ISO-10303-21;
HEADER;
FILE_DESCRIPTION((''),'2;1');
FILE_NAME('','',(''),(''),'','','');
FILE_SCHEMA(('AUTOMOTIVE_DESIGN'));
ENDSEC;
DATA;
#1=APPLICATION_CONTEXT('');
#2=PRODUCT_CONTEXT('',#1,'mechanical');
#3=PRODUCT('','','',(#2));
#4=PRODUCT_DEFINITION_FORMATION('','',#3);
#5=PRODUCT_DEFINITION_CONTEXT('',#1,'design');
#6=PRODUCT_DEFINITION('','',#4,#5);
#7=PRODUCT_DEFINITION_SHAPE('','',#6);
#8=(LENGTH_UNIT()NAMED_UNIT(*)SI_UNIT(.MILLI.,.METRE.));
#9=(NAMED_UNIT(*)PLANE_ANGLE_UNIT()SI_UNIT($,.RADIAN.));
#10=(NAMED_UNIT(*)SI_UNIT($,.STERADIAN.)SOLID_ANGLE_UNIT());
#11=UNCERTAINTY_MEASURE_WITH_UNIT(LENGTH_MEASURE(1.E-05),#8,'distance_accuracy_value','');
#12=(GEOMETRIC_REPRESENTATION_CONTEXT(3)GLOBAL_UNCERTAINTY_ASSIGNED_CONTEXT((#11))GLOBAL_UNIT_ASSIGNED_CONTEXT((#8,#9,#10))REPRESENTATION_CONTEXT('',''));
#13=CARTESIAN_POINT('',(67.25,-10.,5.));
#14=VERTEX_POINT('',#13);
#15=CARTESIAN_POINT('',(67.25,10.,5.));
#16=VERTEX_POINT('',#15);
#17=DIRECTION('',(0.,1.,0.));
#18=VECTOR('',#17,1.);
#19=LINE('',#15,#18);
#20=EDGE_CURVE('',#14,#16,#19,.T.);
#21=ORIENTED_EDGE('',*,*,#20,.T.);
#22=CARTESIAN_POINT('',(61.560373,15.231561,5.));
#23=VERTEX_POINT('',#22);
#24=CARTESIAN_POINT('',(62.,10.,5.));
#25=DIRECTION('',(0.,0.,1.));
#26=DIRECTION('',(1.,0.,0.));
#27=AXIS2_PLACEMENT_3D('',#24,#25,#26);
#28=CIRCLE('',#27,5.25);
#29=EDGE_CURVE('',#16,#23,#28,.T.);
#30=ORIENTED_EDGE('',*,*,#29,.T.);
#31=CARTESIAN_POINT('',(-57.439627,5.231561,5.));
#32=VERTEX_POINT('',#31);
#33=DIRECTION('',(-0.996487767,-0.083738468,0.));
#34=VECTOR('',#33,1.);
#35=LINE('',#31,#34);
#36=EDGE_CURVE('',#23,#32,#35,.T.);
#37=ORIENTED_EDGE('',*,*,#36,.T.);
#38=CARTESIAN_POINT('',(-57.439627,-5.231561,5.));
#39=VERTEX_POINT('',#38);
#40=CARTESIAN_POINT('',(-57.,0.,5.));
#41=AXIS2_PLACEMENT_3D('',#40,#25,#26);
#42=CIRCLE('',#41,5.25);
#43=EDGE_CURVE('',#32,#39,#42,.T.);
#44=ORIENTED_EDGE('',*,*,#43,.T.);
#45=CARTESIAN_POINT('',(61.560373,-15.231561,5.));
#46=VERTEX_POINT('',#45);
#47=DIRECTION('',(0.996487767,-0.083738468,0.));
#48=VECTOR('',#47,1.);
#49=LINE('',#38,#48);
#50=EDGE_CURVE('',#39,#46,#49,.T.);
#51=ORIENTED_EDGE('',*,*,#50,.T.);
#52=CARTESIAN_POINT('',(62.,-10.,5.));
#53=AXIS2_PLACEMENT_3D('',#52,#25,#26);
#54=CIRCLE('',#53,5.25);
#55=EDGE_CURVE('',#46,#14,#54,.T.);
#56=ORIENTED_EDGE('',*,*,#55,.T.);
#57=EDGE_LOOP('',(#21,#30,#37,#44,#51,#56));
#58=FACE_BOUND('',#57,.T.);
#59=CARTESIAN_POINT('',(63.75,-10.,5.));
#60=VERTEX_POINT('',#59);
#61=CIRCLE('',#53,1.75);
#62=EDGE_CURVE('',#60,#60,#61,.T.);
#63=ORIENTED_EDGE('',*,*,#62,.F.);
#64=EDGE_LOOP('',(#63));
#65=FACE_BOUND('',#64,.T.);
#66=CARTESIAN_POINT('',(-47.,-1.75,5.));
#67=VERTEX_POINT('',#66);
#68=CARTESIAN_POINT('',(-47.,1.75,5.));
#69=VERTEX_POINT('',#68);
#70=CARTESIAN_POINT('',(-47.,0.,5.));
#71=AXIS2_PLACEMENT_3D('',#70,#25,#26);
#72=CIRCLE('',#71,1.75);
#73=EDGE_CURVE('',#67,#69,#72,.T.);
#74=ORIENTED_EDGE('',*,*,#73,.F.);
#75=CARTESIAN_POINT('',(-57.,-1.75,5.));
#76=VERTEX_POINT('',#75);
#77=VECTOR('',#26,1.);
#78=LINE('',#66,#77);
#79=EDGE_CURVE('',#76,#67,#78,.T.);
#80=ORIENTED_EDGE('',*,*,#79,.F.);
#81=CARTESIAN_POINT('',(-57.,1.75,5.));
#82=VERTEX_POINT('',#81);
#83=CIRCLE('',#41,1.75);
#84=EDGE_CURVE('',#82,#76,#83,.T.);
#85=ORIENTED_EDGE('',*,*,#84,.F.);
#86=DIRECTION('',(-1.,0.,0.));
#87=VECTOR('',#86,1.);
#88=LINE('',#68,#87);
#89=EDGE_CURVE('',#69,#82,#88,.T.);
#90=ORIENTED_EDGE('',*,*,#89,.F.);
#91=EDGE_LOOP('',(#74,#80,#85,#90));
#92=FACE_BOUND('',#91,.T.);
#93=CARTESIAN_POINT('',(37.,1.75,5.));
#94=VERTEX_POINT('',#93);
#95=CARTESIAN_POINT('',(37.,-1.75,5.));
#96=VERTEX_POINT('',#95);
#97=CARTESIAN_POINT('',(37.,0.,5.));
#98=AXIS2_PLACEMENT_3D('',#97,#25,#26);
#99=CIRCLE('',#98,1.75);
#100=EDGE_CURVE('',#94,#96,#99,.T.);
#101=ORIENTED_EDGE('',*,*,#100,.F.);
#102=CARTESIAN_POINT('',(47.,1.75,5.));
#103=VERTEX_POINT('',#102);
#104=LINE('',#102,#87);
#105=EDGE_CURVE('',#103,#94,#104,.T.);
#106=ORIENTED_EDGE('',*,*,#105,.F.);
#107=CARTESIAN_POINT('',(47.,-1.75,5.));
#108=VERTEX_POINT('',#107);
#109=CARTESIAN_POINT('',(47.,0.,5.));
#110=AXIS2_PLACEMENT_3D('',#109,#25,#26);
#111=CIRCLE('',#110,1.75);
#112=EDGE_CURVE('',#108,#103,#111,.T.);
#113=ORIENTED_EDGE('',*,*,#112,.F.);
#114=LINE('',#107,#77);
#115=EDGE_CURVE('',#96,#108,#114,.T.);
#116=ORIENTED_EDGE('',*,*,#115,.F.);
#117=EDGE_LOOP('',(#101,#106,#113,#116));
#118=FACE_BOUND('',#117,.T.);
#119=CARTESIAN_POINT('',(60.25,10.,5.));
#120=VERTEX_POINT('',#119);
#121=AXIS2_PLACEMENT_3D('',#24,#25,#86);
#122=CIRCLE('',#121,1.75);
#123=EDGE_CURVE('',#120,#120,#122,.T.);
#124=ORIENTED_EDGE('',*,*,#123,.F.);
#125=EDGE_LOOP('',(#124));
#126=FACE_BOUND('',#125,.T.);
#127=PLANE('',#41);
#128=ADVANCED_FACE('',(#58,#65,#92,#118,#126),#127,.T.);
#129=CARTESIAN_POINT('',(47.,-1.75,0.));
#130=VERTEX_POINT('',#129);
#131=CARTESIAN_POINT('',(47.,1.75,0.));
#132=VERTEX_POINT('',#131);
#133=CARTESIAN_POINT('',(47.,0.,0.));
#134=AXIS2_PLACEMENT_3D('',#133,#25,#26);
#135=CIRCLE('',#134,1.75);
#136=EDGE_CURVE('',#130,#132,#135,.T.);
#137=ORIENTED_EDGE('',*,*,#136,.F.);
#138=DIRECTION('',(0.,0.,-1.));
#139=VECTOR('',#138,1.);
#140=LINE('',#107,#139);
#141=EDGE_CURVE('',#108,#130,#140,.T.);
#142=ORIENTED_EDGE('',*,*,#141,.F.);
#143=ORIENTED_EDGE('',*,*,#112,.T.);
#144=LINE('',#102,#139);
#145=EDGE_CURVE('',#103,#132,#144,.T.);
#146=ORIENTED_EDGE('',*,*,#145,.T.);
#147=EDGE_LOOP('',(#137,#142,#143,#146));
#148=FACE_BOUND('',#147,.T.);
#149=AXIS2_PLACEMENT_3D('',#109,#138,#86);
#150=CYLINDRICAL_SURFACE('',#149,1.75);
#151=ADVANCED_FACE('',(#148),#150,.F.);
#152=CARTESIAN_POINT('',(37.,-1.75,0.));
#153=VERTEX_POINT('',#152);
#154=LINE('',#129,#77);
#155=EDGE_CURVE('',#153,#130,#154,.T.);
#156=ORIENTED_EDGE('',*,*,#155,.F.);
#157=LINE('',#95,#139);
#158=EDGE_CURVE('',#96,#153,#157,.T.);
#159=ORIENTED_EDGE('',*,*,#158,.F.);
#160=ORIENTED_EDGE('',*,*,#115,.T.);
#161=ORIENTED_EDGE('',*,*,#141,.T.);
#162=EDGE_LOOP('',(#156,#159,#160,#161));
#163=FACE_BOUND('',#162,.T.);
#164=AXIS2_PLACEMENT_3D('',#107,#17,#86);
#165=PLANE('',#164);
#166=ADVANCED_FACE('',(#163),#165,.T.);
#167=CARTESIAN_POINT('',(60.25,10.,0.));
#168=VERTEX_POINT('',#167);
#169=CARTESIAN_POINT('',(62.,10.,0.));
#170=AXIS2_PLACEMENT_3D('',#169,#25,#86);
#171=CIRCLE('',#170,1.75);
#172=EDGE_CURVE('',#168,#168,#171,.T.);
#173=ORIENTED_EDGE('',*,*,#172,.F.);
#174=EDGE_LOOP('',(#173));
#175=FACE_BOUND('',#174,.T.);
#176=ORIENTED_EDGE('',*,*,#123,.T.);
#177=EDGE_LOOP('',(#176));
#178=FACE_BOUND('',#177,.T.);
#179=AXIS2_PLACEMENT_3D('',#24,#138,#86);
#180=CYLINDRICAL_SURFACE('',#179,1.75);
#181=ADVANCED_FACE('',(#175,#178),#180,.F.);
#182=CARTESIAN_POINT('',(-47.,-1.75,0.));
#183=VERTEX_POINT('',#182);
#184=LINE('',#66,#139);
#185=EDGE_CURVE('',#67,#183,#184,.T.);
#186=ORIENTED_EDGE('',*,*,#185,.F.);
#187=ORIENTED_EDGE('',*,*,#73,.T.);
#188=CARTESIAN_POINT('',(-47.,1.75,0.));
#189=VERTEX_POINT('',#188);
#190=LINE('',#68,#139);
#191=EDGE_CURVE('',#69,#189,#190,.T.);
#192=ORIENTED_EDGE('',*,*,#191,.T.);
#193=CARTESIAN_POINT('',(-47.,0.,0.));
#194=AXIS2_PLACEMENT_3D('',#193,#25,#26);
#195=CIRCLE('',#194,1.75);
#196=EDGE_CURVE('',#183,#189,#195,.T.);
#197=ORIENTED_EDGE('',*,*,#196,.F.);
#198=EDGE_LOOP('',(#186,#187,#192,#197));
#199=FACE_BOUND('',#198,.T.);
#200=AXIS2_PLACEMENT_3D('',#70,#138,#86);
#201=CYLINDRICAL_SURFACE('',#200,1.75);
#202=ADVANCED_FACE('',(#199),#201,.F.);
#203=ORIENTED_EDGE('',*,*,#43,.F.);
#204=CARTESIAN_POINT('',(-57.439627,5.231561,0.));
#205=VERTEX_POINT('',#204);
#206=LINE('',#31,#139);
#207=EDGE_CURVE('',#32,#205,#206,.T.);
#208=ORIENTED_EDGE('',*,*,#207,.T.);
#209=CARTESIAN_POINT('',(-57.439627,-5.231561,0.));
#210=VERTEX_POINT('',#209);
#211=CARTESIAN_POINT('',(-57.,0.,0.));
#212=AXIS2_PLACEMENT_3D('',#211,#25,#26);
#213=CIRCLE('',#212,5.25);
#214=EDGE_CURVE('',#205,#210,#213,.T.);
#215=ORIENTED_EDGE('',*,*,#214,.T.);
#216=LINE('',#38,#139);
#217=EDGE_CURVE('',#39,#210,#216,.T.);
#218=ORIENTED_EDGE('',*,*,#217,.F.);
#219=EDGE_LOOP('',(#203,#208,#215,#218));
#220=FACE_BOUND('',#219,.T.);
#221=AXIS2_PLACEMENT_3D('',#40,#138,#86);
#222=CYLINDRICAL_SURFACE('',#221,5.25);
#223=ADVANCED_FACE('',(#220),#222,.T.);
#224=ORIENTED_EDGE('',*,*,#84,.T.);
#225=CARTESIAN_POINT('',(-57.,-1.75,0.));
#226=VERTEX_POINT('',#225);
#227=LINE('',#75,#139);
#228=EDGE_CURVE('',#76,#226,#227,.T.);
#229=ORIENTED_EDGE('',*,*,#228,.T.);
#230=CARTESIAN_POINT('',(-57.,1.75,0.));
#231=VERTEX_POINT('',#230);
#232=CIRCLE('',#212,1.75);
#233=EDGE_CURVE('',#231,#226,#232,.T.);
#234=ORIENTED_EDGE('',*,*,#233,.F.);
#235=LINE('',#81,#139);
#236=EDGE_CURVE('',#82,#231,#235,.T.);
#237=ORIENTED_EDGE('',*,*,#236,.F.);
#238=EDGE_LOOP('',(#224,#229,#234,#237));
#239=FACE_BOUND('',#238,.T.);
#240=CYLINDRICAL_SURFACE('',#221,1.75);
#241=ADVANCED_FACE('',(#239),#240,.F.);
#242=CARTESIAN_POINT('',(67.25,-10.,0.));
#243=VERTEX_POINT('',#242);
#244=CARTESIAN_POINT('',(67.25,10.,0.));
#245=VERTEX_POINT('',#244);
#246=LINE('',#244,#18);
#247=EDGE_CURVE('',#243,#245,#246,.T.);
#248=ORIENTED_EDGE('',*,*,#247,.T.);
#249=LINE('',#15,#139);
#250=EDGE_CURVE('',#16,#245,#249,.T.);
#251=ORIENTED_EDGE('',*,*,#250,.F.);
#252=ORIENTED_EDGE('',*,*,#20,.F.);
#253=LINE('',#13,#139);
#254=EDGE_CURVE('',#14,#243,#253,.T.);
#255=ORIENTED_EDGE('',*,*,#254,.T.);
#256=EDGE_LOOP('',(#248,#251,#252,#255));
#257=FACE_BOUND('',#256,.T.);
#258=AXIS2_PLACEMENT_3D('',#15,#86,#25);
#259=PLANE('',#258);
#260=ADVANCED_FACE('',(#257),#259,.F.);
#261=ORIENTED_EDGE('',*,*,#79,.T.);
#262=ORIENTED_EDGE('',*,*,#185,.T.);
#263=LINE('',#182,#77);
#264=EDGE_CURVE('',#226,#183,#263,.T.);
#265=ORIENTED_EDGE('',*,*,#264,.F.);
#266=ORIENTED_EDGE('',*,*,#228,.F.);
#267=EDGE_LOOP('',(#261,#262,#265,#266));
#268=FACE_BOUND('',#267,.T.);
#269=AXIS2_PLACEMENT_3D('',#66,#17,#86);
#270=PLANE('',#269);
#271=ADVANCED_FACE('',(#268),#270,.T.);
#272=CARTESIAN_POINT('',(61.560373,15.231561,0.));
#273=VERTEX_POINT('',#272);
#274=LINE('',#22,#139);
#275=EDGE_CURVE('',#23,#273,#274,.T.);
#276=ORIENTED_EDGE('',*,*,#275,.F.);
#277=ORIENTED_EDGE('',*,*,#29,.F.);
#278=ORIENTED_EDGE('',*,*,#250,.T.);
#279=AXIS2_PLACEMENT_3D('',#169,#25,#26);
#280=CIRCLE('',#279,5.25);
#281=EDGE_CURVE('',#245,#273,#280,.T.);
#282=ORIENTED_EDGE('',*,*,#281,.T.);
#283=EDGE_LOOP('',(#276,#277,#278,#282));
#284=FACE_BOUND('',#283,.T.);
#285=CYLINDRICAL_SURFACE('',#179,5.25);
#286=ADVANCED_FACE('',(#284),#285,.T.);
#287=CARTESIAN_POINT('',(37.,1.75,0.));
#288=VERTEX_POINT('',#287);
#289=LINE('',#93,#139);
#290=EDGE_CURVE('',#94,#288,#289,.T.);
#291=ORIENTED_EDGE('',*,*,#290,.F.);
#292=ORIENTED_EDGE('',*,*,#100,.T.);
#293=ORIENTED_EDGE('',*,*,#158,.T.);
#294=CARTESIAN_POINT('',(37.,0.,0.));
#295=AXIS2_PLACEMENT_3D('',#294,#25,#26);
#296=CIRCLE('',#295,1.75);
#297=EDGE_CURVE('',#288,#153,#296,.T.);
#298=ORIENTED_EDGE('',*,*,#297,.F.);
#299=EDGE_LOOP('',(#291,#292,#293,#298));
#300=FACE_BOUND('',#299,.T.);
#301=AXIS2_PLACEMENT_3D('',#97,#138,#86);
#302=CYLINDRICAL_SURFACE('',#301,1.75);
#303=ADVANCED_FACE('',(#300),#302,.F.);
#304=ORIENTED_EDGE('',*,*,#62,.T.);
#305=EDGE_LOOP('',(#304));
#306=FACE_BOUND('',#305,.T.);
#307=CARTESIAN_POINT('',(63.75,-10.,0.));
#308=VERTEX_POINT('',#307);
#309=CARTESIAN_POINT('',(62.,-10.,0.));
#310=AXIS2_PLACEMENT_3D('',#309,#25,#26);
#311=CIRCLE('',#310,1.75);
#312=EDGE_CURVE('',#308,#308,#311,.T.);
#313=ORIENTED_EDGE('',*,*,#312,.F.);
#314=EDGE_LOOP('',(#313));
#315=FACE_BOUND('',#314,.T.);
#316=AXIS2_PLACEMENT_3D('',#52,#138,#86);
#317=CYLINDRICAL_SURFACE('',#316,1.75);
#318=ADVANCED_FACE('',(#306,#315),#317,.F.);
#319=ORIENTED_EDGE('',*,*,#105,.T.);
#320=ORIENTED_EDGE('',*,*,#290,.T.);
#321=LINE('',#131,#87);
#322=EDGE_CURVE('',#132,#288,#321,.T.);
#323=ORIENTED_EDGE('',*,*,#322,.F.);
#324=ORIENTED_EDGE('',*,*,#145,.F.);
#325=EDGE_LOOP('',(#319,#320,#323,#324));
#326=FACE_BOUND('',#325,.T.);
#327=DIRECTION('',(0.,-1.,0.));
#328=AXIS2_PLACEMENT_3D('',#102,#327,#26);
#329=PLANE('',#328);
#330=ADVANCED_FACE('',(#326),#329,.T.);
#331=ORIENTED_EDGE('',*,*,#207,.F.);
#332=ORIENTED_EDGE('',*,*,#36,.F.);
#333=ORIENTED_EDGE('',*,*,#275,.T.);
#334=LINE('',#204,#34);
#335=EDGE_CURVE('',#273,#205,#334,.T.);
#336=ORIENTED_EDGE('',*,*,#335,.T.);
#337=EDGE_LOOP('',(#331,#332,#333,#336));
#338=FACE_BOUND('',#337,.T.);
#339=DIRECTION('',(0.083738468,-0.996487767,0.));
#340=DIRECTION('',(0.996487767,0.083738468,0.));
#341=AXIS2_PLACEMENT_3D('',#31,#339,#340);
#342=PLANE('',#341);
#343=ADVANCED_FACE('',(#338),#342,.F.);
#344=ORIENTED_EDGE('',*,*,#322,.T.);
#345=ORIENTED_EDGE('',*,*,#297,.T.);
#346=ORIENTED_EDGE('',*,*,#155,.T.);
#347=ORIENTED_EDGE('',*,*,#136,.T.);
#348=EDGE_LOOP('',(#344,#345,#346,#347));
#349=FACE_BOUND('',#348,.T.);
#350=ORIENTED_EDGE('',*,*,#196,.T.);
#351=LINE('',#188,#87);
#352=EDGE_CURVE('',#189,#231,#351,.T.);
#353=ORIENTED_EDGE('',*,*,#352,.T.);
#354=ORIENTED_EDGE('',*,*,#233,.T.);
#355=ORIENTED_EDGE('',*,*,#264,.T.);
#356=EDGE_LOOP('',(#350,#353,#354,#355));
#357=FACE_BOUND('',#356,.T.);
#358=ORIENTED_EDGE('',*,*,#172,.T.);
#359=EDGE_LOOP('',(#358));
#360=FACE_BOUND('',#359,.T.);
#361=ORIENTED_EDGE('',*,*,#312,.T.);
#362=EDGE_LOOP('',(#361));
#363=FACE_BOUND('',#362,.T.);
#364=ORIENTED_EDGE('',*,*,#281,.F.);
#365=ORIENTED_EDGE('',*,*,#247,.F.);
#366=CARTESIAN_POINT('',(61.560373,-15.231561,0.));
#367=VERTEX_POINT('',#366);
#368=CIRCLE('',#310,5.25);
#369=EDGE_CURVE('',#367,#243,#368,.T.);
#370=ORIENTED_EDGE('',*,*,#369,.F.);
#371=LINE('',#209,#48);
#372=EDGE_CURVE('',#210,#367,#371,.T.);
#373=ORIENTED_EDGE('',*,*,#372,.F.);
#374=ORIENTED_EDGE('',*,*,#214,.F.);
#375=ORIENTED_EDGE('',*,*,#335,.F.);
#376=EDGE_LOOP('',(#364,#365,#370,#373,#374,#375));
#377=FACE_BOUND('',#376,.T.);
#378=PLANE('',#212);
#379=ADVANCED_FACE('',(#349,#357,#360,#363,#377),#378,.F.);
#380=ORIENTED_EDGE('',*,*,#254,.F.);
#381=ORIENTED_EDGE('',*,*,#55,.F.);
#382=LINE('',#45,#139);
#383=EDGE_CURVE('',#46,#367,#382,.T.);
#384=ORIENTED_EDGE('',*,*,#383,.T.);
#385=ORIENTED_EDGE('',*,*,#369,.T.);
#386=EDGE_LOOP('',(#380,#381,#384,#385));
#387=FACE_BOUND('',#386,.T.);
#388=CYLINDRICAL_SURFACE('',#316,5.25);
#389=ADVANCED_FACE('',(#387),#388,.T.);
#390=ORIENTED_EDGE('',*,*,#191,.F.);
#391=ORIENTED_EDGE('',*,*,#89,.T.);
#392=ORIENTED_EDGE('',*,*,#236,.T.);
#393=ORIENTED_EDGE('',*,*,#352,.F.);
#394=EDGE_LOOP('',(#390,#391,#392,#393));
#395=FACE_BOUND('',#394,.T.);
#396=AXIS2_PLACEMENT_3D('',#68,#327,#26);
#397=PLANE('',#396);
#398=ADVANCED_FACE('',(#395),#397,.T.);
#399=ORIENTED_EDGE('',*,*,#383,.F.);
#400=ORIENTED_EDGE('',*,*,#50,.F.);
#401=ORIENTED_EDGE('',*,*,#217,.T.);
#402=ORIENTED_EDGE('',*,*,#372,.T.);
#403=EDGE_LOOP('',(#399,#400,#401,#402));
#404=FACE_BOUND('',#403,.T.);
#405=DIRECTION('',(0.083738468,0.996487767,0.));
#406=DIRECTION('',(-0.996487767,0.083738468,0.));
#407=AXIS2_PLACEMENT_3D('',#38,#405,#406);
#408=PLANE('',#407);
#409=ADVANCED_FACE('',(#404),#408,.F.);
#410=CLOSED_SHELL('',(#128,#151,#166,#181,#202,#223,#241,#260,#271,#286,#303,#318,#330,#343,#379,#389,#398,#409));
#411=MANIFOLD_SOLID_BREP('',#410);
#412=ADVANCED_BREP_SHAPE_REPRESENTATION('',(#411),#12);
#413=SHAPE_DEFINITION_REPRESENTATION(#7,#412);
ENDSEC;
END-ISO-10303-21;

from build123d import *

# Parameters (mm, degrees)
ESBO_O1_R                = 1.75
RESSALTO_EXTRUS_O1_DEPTH = 5


with BuildPart() as part:
    # Esboço1 → Ressalto-extrusão1 (new body)
    with BuildSketch(Plane.XY):
        with BuildLine():
            Line((67.25, 10), (67.25, -10))
            ThreePointArc((67.25, -10), (65.553481285, -13.864617802), (61.560373044, -15.231560775))
            Line((61.560373044, -15.231560775), (-57.439626956, -5.231560775))
            ThreePointArc((-57.439626956, -5.231560775), (-62.25, 0), (-57.439626956, 5.231560775))
            Line((-57.439626956, 5.231560775), (61.560373044, 15.231560775))
            ThreePointArc((61.560373044, 15.231560775), (65.553481285, 13.864617802), (67.25, 10))
        make_face()
        with Locations((62, -10)):
            Circle(ESBO_O1_R, mode=Mode.SUBTRACT)
        with Locations(Location((62, 10, 0), (0, 0, 180))):
            Circle(ESBO_O1_R, mode=Mode.SUBTRACT)
        with BuildLine():
            Line((47, -1.75), (37, -1.75))
            ThreePointArc((37, -1.75), (35.25, 0), (37, 1.75))
            Line((37, 1.75), (47, 1.75))
            ThreePointArc((47, 1.75), (48.75, 0), (47, -1.75))
        make_face(mode=Mode.SUBTRACT)
        with BuildLine():
            Line((-47, -1.75), (-57, -1.75))
            ThreePointArc((-57, -1.75), (-58.75, 0), (-57, 1.75))
            Line((-57, 1.75), (-47, 1.75))
            ThreePointArc((-47, 1.75), (-45.25, 0), (-47, -1.75))
        make_face(mode=Mode.SUBTRACT)
    extrude(amount=RESSALTO_EXTRUS_O1_DEPTH)


solid = part.part
